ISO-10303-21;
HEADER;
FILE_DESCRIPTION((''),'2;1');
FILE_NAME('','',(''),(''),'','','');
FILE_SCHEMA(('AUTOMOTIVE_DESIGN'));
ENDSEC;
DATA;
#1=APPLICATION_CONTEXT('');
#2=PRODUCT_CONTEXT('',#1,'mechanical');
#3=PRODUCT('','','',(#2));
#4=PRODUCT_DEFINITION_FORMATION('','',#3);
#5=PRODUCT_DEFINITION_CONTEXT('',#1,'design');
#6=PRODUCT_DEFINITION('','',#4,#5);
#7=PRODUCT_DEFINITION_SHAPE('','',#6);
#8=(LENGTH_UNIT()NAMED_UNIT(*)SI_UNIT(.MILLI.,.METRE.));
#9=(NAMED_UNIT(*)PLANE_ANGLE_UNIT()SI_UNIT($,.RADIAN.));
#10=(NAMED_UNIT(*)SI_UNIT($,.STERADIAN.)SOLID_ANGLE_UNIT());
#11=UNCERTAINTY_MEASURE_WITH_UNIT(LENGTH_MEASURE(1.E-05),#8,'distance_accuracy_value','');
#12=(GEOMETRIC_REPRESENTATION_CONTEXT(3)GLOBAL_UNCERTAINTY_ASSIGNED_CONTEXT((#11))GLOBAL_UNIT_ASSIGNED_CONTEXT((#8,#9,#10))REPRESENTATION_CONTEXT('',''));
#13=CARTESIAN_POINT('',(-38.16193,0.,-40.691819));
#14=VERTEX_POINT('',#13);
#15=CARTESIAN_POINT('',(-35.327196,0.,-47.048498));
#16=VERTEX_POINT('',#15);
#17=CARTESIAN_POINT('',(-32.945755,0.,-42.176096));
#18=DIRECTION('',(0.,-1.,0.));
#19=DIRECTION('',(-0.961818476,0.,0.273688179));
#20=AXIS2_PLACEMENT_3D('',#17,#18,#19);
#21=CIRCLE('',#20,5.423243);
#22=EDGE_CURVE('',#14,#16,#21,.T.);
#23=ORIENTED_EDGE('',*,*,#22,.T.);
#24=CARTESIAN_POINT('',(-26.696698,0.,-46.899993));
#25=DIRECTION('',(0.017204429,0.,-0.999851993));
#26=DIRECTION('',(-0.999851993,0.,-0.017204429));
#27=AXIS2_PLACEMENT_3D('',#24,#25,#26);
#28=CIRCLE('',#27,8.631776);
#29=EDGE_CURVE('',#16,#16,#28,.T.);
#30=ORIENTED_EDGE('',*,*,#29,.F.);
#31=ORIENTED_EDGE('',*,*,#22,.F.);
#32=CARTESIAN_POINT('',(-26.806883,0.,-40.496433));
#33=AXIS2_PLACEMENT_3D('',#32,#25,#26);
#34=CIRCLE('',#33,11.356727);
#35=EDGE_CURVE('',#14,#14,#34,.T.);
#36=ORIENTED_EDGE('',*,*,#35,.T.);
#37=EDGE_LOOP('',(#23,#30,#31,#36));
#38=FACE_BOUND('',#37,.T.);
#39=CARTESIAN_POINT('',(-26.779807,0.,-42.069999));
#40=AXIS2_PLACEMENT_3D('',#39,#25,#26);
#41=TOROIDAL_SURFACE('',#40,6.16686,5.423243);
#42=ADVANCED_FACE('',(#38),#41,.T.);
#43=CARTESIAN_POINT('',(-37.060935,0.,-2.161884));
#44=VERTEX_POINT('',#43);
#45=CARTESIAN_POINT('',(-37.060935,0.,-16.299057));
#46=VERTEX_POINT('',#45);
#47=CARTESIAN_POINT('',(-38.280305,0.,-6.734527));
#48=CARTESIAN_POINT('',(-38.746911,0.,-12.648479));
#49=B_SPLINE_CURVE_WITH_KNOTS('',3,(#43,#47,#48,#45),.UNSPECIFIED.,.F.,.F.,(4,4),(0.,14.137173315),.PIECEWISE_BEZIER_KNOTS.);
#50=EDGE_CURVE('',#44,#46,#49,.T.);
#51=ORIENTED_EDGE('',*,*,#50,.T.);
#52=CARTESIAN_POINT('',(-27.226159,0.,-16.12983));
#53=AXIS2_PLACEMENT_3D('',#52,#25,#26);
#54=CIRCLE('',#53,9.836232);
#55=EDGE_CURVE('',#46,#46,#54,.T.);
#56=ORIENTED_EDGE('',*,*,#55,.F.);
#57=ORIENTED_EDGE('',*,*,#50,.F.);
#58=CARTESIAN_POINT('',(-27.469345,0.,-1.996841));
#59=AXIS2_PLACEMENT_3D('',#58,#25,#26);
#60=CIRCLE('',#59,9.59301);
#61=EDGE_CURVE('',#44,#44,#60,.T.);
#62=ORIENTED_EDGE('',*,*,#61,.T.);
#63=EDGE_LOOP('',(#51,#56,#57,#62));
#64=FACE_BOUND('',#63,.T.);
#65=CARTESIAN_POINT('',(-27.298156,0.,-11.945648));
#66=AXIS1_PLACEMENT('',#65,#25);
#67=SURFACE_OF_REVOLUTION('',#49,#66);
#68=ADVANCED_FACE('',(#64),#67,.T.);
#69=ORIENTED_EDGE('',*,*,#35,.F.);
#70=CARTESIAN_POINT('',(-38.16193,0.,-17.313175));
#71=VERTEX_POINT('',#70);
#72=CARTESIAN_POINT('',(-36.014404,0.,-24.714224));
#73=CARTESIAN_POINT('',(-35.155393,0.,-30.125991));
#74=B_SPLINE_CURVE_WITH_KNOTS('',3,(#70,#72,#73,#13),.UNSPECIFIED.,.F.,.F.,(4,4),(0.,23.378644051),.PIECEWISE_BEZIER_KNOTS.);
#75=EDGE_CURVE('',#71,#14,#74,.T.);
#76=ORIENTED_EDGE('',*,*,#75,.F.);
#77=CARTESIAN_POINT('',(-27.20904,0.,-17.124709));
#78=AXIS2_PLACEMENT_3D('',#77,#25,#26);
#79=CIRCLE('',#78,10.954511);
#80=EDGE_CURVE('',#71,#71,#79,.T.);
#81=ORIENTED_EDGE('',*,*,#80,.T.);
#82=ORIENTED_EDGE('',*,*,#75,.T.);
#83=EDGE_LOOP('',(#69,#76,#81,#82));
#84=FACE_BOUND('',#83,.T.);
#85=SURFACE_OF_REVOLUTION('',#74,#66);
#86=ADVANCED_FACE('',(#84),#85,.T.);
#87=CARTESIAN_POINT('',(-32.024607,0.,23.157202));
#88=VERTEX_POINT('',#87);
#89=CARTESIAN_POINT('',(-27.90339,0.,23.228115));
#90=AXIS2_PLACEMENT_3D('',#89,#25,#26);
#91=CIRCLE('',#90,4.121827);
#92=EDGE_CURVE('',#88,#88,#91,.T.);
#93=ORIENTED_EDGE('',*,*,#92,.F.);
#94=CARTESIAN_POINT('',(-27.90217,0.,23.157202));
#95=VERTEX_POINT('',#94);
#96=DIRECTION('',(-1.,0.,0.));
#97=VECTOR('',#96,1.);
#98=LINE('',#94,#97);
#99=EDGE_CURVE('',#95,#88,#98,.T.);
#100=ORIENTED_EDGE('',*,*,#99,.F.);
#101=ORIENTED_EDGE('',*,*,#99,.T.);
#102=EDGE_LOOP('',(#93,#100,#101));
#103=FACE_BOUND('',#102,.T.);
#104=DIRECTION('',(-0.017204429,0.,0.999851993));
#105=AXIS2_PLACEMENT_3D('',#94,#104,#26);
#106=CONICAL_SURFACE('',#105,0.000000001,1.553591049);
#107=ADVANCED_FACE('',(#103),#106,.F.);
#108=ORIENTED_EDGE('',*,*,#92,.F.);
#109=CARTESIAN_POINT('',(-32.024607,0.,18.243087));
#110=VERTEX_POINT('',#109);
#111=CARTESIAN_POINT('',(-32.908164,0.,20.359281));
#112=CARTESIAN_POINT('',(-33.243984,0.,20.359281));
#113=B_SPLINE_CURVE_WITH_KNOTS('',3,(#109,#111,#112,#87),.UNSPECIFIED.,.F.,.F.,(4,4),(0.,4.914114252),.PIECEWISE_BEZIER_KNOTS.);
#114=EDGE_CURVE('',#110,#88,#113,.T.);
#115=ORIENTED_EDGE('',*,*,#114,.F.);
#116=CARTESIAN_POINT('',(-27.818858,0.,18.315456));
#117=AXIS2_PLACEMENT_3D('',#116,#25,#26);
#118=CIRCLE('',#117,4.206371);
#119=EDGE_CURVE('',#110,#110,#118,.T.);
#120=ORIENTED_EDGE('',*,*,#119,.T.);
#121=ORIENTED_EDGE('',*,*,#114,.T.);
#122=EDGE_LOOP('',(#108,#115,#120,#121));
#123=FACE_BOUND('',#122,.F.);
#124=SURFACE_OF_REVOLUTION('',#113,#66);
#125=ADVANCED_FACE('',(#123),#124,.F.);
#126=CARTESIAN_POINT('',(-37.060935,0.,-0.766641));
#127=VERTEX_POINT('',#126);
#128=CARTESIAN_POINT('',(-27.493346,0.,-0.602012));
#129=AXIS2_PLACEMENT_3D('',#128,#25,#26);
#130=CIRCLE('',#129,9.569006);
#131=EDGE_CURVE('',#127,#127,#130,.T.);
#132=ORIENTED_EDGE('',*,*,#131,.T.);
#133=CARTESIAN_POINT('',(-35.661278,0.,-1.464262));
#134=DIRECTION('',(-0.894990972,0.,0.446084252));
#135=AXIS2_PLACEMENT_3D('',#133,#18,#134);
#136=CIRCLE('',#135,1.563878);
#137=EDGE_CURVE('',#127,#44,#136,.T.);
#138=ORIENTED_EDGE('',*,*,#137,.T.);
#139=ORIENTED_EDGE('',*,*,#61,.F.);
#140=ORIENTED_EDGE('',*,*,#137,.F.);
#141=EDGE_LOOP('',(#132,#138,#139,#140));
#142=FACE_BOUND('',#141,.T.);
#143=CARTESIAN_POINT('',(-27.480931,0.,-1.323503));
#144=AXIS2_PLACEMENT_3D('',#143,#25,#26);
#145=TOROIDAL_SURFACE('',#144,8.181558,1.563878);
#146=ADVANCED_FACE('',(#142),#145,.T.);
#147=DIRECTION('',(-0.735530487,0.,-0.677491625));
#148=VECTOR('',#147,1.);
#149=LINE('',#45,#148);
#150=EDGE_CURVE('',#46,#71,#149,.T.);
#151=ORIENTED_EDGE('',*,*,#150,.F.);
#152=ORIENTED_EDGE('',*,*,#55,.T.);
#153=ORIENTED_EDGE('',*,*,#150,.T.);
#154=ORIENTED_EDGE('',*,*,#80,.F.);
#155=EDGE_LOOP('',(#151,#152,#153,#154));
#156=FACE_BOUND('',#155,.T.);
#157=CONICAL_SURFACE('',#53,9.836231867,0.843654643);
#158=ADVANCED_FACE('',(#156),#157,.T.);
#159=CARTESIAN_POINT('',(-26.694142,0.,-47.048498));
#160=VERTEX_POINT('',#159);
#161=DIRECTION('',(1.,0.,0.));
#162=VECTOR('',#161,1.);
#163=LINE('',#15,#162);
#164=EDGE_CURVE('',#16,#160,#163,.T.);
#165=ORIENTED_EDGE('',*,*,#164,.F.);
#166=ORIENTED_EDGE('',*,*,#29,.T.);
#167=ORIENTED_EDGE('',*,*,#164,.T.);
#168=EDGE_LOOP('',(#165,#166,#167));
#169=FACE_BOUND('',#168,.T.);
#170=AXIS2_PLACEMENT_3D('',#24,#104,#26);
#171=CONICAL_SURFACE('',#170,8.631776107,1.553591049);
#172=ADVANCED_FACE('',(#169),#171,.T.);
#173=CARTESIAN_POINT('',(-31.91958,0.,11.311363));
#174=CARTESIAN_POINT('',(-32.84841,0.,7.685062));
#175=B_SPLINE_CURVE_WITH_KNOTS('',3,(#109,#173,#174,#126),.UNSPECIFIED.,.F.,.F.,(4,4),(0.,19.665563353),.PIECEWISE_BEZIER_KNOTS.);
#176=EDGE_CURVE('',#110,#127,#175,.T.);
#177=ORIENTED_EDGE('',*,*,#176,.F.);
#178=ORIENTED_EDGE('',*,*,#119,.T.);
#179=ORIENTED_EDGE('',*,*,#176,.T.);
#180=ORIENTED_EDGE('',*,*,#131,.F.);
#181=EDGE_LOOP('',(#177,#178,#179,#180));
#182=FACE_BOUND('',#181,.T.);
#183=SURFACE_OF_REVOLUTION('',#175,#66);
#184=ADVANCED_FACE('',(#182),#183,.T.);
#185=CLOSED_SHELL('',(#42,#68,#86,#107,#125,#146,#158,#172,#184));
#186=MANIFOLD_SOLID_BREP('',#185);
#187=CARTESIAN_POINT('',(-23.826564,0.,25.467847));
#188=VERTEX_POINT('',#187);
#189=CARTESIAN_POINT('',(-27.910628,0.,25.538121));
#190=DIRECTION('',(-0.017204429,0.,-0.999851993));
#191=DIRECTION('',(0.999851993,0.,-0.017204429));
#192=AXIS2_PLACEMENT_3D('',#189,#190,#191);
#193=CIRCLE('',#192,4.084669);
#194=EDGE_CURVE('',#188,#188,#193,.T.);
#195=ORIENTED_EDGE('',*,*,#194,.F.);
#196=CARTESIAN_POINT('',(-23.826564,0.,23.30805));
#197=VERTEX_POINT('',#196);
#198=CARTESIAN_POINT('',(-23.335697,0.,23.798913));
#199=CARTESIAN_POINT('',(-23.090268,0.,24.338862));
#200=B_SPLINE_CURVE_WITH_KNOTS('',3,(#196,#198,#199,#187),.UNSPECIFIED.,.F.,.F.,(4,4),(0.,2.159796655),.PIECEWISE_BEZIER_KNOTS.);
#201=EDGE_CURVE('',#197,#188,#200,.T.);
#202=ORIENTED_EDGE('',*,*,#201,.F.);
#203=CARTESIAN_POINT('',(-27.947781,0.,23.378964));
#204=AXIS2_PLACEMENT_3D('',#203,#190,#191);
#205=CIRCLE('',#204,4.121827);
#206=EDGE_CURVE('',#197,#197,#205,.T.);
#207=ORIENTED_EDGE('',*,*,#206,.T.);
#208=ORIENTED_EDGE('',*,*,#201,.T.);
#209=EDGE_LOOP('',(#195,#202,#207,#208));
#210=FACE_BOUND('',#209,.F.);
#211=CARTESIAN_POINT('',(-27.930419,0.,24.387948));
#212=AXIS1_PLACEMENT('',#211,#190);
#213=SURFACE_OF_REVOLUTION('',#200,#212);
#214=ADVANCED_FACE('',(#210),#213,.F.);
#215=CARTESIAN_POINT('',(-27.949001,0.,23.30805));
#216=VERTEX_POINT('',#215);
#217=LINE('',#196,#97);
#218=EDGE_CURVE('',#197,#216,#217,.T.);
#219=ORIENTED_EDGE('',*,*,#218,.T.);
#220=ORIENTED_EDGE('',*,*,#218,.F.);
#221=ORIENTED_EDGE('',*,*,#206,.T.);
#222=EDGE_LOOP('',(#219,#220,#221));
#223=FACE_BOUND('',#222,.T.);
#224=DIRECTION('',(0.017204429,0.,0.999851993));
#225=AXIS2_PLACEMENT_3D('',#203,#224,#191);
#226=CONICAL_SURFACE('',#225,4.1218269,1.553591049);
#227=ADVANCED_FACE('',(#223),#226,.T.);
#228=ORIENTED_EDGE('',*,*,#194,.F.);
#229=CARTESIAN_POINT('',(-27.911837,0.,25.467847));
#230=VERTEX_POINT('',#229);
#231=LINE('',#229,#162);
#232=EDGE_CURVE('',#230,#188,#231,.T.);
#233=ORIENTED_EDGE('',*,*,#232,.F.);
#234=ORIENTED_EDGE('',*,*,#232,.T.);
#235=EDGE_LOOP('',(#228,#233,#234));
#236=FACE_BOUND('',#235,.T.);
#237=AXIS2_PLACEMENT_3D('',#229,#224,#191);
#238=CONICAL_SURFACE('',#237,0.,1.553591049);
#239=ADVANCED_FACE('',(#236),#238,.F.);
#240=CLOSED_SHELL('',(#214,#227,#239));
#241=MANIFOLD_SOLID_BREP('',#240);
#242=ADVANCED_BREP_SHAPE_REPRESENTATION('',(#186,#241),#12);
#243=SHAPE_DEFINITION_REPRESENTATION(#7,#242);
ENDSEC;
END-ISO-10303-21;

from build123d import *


with BuildPart() as f1:
    # F0 (on Front) → F1 (revolve)
    with BuildSketch(Plane.XZ):
        with BuildLine():
            Line((-27.8176129689, 18.2430874556), (-32.0246070623, 18.2430874556))
            add(Edge.make_bspline(
                [(-32.0246070623, 18.2430874556), (-31.919579953, 11.3113634288), (-32.8484103084, 7.6850618352), (-37.0609350502, -0.7666411693)],
                knots=[0, 0, 0, 0, 19.6655633531, 19.6655633531, 19.6655633531, 19.6655633531], degree=3))
            ThreePointArc((-37.0609350502, -0.7666411693), (-37.2251563452, -1.4642624592), (-37.0609350502, -2.1618837491))
            add(Edge.make_bspline(
                [(-37.0609350502, -2.1618837491), (-38.2803045213, -6.7345271818), (-38.7469107343, -12.6484790817), (-37.0609350502, -16.2990570642)],
                knots=[0, 0, 0, 0, 14.1371733151, 14.1371733151, 14.1371733151, 14.1371733151], degree=3))
            Line((-37.0609350502, -16.2990570642), (-38.1619296968, -17.3131749908))
            add(Edge.make_bspline(
                [(-38.1619296968, -17.3131749908), (-36.0144041479, -24.7142240405), (-35.1553931832, -30.12599051), (-38.1619296968, -40.691819042)],
                knots=[0, 0, 0, 0, 23.3786440512, 23.3786440512, 23.3786440512, 23.3786440512], degree=3))
            ThreePointArc((-38.1619296968, -40.691819042), (-37.8988129309, -44.3848913189), (-35.3271961212, -47.0484979451))
            Line((-35.3271961212, -47.0484979451), (-26.6941422597, -47.0484979451))
            Line((-26.6941422597, -47.0484979451), (-27.8176129689, 18.2430874556))
        make_face()
        with BuildLine():
            add(Edge.make_bspline(
                [(-32.0246070623, 18.2430874556), (-32.9081639647, 20.3592814505), (-33.243983984, 20.3592814505), (-32.0246070623, 23.1572017074)],
                knots=[0, 0, 0, 0, 4.9141142517, 4.9141142517, 4.9141142517, 4.9141142517], degree=3))
            Line((-32.0246070623, 18.2430874556), (-27.8176129689, 18.2430874556))
            Line((-27.8176129689, 18.2430874556), (-27.9021700123, 23.1572017074))
            Line((-27.9021700123, 23.1572017074), (-32.0246070623, 23.1572017074))
        make_face()
    revolve(axis=Axis((-27.298156136, 0, -11.9456481189), (0.0172044287, 0, -0.9998519929)))


with BuildPart() as f4:
    # F3 (on face) → F4 (revolve)
    with BuildSketch(Plane(origin=(0, 0, 0), x_dir=(-1, 0, 0), z_dir=(0, 1, 0))):
        with BuildLine():
            add(Edge.make_bspline(
                [(23.8265637308, 23.3080498874), (23.3356971294, 23.7989127636), (23.0902675539, 24.3388619274), (23.8265637308, 25.4678465426)],
                knots=[0, 0, 0, 0, 2.1597966552, 2.1597966552, 2.1597966552, 2.1597966552], degree=3))
            Line((23.8265637308, 23.3080498874), (27.9490007808, 23.3080498874))
            Line((27.9490007808, 23.3080498874), (27.9118372127, 25.4678465426))
            Line((27.9118372127, 25.4678465426), (23.8265637308, 25.4678465426))
        make_face()
    revolve(axis=Axis((-27.9304189968, 0, 24.387948215), (-0.0172044287, 0, -0.9998519929)))


solid = Compound([f1.part, f4.part])
